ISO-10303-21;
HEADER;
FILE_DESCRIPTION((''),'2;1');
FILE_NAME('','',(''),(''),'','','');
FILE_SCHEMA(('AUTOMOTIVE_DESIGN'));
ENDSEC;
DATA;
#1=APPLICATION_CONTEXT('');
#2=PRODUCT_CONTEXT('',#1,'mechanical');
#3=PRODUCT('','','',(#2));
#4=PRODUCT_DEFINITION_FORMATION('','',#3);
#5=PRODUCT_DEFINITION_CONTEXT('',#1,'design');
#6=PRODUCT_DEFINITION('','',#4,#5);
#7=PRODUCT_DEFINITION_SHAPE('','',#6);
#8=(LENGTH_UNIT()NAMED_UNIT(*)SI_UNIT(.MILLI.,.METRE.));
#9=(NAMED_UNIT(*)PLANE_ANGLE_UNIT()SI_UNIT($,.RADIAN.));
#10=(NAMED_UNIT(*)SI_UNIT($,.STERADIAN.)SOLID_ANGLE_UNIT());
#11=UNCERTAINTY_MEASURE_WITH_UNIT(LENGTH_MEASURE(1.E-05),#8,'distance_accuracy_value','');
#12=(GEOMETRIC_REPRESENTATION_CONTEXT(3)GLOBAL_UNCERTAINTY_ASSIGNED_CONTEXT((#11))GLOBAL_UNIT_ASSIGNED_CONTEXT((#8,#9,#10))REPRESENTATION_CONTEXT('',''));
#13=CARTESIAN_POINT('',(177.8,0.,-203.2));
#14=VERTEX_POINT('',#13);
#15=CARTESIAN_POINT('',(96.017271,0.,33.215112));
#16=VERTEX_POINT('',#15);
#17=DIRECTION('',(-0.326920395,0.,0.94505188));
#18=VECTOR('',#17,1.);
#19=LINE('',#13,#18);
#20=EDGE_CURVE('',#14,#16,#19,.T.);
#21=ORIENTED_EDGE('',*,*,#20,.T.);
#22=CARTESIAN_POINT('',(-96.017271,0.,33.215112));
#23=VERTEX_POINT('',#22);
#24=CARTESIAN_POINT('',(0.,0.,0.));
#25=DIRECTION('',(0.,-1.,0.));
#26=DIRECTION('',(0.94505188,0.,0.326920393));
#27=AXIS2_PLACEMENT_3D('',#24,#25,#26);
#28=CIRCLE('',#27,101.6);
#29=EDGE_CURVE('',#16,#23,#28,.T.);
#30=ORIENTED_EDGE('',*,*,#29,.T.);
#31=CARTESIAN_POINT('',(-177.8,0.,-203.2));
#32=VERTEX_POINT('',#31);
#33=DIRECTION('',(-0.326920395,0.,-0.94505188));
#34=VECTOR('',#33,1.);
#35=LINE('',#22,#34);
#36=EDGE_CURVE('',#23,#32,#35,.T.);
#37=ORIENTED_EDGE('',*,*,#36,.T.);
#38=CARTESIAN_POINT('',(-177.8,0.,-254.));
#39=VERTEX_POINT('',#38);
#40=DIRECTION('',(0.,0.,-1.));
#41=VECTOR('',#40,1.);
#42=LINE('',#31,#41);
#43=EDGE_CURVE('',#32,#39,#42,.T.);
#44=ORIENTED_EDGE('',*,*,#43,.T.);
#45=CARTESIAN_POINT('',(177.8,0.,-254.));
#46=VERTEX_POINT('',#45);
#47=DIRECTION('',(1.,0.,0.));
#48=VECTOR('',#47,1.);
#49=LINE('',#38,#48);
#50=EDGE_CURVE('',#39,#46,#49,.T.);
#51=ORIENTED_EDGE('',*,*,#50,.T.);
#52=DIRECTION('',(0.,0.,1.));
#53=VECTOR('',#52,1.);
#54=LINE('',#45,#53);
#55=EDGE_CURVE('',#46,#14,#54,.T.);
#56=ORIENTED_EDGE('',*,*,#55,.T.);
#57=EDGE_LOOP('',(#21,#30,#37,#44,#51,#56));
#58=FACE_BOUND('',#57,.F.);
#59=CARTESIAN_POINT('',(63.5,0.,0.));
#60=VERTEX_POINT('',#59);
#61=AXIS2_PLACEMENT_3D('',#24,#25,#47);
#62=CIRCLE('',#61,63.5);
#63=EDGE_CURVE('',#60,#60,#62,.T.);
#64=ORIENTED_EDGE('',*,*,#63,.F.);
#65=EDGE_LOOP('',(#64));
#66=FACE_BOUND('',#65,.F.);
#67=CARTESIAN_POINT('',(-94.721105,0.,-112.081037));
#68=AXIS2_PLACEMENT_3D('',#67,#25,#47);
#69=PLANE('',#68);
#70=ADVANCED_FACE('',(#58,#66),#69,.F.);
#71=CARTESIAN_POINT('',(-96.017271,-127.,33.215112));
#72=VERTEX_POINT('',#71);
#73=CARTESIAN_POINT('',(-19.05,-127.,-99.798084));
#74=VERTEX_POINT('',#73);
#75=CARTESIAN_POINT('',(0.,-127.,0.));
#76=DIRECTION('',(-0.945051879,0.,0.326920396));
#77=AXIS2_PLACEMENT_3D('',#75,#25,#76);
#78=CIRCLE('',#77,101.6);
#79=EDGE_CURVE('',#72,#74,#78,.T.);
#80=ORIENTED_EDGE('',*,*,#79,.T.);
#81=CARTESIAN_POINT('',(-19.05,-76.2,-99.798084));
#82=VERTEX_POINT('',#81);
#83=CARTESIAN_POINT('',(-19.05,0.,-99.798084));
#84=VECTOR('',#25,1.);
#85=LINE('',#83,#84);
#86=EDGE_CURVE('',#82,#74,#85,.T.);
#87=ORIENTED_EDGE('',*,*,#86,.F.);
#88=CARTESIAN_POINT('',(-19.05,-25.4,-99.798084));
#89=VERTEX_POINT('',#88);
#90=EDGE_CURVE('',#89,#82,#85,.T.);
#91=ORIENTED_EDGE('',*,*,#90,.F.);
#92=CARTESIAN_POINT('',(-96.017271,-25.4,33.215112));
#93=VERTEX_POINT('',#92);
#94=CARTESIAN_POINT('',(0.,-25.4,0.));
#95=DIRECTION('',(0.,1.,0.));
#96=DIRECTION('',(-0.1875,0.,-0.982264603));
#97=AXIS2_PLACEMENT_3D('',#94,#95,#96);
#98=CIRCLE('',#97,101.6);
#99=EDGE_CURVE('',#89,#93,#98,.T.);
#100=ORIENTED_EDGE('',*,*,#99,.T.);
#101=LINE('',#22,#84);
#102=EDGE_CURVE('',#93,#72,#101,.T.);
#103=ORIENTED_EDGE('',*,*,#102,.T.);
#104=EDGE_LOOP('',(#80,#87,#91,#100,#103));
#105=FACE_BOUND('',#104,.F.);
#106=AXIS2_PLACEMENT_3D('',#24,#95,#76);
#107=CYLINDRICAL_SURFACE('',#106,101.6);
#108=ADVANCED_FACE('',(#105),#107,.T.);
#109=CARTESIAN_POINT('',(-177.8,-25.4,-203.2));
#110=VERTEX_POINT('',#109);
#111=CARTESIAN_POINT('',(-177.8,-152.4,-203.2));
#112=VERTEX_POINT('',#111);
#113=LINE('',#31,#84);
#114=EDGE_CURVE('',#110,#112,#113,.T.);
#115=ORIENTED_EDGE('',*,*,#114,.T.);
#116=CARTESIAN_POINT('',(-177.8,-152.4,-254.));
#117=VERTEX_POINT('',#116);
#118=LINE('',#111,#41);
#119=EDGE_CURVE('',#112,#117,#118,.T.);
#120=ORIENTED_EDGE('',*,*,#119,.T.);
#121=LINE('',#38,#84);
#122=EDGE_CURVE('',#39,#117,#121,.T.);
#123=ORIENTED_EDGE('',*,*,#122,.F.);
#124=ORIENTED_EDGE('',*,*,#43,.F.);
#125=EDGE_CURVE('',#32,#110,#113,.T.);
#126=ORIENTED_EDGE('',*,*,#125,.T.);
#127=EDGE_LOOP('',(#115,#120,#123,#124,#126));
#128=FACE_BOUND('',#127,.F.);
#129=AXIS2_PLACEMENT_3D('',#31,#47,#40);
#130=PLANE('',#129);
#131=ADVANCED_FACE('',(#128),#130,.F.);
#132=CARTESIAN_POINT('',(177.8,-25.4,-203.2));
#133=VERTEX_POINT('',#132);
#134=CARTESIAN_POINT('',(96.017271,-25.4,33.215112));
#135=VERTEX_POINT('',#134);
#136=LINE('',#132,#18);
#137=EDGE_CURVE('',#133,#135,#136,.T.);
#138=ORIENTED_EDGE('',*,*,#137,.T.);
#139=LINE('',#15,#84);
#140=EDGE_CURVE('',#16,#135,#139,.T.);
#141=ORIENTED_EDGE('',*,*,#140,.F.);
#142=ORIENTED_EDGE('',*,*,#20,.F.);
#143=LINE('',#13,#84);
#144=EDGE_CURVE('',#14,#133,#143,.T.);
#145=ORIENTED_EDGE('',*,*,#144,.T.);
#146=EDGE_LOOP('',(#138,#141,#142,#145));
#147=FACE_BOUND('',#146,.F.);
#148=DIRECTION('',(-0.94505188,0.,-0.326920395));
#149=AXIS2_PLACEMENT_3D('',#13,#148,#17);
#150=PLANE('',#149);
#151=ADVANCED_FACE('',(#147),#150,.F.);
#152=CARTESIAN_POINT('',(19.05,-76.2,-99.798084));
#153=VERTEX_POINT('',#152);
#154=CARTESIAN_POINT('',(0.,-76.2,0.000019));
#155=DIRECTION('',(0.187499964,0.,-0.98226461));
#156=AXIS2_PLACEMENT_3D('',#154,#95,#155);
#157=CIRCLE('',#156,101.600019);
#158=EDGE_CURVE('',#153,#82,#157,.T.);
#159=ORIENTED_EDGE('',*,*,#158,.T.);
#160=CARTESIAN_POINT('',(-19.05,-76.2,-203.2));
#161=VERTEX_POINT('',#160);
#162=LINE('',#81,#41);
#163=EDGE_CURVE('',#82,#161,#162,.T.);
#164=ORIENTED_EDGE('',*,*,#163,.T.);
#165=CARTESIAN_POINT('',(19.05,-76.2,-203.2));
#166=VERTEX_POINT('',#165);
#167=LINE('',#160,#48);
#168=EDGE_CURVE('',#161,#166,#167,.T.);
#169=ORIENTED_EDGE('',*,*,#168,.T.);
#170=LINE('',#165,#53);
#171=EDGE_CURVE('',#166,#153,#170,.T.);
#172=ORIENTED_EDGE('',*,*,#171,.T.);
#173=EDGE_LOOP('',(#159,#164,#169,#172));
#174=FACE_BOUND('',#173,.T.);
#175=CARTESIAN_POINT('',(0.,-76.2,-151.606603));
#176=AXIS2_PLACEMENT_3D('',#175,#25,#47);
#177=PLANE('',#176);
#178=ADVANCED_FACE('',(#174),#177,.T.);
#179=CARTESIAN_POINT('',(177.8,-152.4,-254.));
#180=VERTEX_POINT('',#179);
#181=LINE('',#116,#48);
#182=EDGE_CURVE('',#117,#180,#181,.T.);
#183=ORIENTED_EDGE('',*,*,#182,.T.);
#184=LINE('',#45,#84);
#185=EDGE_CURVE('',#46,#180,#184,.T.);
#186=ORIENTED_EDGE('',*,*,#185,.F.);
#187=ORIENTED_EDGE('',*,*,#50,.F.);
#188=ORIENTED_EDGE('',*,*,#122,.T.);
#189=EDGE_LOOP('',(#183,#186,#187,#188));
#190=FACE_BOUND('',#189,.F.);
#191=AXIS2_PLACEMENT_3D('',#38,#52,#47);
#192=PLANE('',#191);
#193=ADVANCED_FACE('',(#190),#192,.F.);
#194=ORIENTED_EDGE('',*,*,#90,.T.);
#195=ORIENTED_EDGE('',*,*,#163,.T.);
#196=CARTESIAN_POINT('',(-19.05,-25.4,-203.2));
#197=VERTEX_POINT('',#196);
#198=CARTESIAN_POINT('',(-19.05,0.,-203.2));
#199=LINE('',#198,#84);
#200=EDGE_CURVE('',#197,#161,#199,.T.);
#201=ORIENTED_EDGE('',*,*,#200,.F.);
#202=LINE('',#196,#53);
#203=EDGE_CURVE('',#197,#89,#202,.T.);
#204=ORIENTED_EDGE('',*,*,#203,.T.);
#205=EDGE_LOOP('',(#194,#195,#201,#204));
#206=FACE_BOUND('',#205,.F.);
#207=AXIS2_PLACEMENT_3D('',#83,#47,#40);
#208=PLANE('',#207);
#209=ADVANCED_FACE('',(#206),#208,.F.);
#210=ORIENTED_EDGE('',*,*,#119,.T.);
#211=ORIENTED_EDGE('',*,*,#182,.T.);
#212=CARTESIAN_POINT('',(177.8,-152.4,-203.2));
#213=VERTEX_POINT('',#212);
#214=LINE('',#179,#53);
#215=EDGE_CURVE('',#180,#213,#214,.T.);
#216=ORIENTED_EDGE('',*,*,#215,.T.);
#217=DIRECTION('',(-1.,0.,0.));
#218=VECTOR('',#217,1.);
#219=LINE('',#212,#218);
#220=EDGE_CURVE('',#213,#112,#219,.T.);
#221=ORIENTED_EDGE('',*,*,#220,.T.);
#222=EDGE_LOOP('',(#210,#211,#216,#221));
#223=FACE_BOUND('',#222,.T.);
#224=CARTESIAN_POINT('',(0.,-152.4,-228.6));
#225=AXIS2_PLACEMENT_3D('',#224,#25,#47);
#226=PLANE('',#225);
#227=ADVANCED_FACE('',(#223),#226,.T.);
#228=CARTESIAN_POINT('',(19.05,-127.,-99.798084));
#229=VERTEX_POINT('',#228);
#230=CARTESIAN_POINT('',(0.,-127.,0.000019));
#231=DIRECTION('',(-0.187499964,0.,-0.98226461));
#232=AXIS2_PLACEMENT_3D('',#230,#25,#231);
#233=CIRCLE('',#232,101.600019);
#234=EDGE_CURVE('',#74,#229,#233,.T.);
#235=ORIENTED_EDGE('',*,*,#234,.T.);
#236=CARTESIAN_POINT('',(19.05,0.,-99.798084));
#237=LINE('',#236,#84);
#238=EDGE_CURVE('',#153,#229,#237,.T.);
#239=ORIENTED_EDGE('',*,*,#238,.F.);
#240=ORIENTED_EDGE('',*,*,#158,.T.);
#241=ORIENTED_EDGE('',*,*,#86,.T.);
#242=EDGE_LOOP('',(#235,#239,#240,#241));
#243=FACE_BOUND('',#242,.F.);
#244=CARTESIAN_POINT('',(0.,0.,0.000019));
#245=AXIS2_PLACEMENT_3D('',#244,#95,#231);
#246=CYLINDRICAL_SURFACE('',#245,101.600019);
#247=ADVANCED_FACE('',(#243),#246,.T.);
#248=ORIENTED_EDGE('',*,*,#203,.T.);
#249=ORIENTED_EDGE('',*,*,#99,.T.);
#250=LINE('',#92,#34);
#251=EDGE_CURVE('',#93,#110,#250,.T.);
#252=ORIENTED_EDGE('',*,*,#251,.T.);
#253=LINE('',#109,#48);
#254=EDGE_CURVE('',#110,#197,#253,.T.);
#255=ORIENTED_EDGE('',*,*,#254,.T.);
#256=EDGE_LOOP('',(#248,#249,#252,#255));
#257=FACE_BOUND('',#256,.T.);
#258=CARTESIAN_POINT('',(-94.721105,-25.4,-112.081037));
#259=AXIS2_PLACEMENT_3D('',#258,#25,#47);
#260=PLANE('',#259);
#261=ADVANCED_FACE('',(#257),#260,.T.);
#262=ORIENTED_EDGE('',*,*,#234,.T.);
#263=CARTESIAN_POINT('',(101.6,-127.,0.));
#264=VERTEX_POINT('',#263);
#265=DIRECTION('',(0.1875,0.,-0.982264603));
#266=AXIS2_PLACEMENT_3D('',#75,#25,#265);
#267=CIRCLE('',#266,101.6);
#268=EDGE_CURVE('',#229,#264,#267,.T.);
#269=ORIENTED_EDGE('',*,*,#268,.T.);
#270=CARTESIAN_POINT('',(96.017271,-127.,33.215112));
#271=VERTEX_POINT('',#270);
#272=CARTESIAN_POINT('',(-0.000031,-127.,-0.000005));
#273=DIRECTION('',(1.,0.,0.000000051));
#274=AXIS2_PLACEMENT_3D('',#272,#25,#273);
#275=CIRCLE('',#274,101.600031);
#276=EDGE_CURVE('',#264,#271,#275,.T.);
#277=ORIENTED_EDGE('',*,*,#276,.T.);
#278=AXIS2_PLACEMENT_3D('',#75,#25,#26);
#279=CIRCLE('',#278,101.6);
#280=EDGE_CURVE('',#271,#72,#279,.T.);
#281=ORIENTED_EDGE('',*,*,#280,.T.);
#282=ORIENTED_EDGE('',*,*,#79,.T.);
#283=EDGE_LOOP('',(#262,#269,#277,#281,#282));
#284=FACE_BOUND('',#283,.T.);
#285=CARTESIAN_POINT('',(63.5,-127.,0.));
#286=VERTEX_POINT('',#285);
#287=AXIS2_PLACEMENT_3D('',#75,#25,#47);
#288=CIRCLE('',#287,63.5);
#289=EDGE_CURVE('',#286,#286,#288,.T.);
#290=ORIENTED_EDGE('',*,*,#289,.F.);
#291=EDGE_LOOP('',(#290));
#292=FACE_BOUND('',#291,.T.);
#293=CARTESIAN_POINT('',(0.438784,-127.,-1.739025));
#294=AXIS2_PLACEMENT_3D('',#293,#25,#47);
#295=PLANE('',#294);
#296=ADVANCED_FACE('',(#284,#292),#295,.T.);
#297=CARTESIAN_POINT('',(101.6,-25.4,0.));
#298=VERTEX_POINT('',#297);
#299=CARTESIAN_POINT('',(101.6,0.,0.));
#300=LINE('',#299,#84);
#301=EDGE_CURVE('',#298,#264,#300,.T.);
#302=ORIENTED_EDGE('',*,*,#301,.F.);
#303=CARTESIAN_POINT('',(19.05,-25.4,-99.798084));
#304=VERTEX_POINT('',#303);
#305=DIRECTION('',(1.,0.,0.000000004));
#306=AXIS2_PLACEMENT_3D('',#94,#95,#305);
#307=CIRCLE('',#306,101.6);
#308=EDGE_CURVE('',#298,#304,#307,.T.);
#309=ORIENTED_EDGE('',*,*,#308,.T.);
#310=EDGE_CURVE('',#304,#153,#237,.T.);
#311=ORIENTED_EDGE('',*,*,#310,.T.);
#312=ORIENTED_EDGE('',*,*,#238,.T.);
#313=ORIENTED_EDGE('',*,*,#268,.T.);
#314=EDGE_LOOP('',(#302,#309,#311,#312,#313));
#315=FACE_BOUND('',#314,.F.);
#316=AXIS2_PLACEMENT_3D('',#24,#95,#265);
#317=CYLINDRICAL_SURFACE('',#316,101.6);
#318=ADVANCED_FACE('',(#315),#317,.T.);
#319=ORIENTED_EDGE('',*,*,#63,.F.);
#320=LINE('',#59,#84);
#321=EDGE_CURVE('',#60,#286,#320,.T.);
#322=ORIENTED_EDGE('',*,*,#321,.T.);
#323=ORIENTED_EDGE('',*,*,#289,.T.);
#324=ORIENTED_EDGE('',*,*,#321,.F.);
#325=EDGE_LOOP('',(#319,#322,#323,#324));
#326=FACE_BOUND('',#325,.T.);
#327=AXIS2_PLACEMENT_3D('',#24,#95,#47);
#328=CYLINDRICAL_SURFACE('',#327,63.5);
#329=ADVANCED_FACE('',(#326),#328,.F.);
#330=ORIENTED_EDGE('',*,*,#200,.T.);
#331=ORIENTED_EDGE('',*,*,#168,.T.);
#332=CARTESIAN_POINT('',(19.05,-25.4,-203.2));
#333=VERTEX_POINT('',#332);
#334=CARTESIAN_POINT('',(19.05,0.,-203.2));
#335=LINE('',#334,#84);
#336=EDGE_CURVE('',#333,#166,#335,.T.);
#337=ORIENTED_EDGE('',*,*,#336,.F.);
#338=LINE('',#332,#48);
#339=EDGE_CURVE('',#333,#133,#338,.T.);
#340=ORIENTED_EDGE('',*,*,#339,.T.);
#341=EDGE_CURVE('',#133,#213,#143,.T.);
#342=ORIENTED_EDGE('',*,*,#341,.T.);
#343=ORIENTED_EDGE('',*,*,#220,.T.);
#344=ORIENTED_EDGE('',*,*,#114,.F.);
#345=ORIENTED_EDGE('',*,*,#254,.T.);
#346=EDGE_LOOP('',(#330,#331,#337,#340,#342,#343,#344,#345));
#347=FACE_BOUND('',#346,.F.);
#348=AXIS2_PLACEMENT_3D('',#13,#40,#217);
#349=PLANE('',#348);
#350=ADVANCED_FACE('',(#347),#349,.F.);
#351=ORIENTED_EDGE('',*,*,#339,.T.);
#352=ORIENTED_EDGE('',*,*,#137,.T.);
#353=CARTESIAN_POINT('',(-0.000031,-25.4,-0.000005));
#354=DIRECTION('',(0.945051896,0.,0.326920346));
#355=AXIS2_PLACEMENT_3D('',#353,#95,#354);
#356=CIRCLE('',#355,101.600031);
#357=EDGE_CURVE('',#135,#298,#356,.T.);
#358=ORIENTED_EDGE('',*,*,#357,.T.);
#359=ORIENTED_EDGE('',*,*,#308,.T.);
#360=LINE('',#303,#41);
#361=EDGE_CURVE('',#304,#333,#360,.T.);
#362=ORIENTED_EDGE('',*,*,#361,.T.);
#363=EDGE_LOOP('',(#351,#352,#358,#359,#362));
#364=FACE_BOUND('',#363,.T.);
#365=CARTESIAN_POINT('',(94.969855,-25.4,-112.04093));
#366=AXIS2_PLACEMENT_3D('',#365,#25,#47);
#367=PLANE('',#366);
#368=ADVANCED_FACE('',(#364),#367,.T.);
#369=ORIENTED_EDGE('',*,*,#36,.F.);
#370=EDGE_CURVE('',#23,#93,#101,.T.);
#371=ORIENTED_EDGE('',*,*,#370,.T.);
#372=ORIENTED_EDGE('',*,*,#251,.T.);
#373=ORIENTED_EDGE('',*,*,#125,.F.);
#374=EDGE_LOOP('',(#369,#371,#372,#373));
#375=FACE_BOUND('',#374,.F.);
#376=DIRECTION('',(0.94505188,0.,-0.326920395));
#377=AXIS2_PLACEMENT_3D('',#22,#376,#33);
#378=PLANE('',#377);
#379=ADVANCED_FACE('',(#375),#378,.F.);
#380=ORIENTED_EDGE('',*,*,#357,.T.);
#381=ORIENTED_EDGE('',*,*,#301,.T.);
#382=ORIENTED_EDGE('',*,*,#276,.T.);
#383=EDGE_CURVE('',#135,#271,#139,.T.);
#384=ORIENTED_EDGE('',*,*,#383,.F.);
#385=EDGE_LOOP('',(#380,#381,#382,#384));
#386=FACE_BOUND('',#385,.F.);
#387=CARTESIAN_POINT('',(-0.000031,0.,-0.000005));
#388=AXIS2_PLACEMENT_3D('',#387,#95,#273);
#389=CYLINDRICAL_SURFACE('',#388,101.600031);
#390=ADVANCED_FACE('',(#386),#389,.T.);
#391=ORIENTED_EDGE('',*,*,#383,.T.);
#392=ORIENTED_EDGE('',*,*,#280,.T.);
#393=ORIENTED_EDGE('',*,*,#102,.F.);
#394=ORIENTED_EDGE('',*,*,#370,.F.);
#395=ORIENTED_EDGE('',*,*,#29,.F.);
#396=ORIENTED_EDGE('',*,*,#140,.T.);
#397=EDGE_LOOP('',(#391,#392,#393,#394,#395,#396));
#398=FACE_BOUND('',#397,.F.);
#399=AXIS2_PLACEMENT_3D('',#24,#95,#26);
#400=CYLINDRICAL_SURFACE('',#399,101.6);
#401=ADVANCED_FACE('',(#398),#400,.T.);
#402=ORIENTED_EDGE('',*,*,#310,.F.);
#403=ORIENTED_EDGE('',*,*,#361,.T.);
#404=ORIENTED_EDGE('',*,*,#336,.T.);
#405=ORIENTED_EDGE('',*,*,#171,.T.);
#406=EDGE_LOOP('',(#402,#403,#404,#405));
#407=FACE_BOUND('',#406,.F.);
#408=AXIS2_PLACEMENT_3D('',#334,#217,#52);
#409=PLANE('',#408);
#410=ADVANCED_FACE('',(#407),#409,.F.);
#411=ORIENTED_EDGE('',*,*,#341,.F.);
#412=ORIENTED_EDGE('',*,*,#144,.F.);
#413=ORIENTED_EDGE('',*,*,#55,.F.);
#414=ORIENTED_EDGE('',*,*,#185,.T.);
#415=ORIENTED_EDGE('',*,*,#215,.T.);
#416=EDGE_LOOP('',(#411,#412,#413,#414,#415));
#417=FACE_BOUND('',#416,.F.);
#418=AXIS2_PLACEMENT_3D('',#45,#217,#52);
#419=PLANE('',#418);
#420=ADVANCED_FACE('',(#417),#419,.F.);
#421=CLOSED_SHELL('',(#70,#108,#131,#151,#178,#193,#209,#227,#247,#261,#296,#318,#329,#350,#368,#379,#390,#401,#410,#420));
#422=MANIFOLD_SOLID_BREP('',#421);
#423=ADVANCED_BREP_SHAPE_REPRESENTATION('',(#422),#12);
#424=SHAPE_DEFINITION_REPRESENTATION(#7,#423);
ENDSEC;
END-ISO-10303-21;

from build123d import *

# Parameters (mm, degrees)
F0_R     = 63.5
F1_DEPTH = 127
F2_DEPTH = 152.4
F3_DEPTH = 76.2
F4_DEPTH = 25.4


with BuildPart() as f1:
    # F0 (on Front) → F1 (new body)
    with BuildSketch(Plane.XZ):
        with BuildLine():
            ThreePointArc((19.05, -99.798084), (78.288058, -64.757548), (101.6, 0))
            ThreePointArc((101.6, 0), (100.194597, 16.840506), (96.017271, 33.215112))
            ThreePointArc((96.017271, 33.215112), (0, 101.6), (-96.017271, 33.215112))
            ThreePointArc((-96.017271, 33.215112), (-87.938881, -50.885295), (-19.05, -99.798084))
            ThreePointArc((-19.05, -99.798084), (0, -101.6), (19.05, -99.798084))
        make_face()
        Circle(F0_R, mode=Mode.SUBTRACT)
    extrude(amount=F1_DEPTH)



with BuildPart() as f2:
    # F0 (on Front) → F2 (new body)
    with BuildSketch(Plane.XZ):
        Polygon((177.8, -254), (177.8, -203.2), (19.05, -203.2), (-19.05, -203.2), (-177.8, -203.2), (-177.8, -254), align=None)
    extrude(amount=F2_DEPTH)


with BuildPart() as f1_1:
    add(f1.part)

    add(f2.part)  # F3 merges F2
    # F0 (on Front) → F3 (join)
    with BuildSketch(Plane.XZ):
        with BuildLine():
            Line((19.05, -203.2), (19.05, -99.798084))
            ThreePointArc((19.05, -99.798084), (0, -101.6), (-19.05, -99.798084))
            Line((-19.05, -99.798084), (-19.05, -203.2))
            Line((-19.05, -203.2), (19.05, -203.2))
        make_face()
    extrude(amount=F3_DEPTH)

    # F0 (on Front) → F4 (join)
    with BuildSketch(Plane.XZ):
        with BuildLine():
            ThreePointArc((-19.05, -99.798084), (-87.938881, -50.885295), (-96.017271, 33.215112))
            Line((-96.017271, 33.215112), (-177.8, -203.2))
            Line((-177.8, -203.2), (-19.05, -203.2))
            Line((-19.05, -203.2), (-19.05, -99.798084))
        make_face()
        with BuildLine():
            ThreePointArc((96.017271, 33.215112), (100.194597, 16.840506), (101.6, 0))
            ThreePointArc((101.6, 0), (78.288058, -64.757548), (19.05, -99.798084))
            Line((19.05, -99.798084), (19.05, -203.2))
            Line((19.05, -203.2), (177.8, -203.2))
            Line((177.8, -203.2), (96.017271, 33.215112))
        make_face()
    extrude(amount=F4_DEPTH)


solid = f1_1.part
